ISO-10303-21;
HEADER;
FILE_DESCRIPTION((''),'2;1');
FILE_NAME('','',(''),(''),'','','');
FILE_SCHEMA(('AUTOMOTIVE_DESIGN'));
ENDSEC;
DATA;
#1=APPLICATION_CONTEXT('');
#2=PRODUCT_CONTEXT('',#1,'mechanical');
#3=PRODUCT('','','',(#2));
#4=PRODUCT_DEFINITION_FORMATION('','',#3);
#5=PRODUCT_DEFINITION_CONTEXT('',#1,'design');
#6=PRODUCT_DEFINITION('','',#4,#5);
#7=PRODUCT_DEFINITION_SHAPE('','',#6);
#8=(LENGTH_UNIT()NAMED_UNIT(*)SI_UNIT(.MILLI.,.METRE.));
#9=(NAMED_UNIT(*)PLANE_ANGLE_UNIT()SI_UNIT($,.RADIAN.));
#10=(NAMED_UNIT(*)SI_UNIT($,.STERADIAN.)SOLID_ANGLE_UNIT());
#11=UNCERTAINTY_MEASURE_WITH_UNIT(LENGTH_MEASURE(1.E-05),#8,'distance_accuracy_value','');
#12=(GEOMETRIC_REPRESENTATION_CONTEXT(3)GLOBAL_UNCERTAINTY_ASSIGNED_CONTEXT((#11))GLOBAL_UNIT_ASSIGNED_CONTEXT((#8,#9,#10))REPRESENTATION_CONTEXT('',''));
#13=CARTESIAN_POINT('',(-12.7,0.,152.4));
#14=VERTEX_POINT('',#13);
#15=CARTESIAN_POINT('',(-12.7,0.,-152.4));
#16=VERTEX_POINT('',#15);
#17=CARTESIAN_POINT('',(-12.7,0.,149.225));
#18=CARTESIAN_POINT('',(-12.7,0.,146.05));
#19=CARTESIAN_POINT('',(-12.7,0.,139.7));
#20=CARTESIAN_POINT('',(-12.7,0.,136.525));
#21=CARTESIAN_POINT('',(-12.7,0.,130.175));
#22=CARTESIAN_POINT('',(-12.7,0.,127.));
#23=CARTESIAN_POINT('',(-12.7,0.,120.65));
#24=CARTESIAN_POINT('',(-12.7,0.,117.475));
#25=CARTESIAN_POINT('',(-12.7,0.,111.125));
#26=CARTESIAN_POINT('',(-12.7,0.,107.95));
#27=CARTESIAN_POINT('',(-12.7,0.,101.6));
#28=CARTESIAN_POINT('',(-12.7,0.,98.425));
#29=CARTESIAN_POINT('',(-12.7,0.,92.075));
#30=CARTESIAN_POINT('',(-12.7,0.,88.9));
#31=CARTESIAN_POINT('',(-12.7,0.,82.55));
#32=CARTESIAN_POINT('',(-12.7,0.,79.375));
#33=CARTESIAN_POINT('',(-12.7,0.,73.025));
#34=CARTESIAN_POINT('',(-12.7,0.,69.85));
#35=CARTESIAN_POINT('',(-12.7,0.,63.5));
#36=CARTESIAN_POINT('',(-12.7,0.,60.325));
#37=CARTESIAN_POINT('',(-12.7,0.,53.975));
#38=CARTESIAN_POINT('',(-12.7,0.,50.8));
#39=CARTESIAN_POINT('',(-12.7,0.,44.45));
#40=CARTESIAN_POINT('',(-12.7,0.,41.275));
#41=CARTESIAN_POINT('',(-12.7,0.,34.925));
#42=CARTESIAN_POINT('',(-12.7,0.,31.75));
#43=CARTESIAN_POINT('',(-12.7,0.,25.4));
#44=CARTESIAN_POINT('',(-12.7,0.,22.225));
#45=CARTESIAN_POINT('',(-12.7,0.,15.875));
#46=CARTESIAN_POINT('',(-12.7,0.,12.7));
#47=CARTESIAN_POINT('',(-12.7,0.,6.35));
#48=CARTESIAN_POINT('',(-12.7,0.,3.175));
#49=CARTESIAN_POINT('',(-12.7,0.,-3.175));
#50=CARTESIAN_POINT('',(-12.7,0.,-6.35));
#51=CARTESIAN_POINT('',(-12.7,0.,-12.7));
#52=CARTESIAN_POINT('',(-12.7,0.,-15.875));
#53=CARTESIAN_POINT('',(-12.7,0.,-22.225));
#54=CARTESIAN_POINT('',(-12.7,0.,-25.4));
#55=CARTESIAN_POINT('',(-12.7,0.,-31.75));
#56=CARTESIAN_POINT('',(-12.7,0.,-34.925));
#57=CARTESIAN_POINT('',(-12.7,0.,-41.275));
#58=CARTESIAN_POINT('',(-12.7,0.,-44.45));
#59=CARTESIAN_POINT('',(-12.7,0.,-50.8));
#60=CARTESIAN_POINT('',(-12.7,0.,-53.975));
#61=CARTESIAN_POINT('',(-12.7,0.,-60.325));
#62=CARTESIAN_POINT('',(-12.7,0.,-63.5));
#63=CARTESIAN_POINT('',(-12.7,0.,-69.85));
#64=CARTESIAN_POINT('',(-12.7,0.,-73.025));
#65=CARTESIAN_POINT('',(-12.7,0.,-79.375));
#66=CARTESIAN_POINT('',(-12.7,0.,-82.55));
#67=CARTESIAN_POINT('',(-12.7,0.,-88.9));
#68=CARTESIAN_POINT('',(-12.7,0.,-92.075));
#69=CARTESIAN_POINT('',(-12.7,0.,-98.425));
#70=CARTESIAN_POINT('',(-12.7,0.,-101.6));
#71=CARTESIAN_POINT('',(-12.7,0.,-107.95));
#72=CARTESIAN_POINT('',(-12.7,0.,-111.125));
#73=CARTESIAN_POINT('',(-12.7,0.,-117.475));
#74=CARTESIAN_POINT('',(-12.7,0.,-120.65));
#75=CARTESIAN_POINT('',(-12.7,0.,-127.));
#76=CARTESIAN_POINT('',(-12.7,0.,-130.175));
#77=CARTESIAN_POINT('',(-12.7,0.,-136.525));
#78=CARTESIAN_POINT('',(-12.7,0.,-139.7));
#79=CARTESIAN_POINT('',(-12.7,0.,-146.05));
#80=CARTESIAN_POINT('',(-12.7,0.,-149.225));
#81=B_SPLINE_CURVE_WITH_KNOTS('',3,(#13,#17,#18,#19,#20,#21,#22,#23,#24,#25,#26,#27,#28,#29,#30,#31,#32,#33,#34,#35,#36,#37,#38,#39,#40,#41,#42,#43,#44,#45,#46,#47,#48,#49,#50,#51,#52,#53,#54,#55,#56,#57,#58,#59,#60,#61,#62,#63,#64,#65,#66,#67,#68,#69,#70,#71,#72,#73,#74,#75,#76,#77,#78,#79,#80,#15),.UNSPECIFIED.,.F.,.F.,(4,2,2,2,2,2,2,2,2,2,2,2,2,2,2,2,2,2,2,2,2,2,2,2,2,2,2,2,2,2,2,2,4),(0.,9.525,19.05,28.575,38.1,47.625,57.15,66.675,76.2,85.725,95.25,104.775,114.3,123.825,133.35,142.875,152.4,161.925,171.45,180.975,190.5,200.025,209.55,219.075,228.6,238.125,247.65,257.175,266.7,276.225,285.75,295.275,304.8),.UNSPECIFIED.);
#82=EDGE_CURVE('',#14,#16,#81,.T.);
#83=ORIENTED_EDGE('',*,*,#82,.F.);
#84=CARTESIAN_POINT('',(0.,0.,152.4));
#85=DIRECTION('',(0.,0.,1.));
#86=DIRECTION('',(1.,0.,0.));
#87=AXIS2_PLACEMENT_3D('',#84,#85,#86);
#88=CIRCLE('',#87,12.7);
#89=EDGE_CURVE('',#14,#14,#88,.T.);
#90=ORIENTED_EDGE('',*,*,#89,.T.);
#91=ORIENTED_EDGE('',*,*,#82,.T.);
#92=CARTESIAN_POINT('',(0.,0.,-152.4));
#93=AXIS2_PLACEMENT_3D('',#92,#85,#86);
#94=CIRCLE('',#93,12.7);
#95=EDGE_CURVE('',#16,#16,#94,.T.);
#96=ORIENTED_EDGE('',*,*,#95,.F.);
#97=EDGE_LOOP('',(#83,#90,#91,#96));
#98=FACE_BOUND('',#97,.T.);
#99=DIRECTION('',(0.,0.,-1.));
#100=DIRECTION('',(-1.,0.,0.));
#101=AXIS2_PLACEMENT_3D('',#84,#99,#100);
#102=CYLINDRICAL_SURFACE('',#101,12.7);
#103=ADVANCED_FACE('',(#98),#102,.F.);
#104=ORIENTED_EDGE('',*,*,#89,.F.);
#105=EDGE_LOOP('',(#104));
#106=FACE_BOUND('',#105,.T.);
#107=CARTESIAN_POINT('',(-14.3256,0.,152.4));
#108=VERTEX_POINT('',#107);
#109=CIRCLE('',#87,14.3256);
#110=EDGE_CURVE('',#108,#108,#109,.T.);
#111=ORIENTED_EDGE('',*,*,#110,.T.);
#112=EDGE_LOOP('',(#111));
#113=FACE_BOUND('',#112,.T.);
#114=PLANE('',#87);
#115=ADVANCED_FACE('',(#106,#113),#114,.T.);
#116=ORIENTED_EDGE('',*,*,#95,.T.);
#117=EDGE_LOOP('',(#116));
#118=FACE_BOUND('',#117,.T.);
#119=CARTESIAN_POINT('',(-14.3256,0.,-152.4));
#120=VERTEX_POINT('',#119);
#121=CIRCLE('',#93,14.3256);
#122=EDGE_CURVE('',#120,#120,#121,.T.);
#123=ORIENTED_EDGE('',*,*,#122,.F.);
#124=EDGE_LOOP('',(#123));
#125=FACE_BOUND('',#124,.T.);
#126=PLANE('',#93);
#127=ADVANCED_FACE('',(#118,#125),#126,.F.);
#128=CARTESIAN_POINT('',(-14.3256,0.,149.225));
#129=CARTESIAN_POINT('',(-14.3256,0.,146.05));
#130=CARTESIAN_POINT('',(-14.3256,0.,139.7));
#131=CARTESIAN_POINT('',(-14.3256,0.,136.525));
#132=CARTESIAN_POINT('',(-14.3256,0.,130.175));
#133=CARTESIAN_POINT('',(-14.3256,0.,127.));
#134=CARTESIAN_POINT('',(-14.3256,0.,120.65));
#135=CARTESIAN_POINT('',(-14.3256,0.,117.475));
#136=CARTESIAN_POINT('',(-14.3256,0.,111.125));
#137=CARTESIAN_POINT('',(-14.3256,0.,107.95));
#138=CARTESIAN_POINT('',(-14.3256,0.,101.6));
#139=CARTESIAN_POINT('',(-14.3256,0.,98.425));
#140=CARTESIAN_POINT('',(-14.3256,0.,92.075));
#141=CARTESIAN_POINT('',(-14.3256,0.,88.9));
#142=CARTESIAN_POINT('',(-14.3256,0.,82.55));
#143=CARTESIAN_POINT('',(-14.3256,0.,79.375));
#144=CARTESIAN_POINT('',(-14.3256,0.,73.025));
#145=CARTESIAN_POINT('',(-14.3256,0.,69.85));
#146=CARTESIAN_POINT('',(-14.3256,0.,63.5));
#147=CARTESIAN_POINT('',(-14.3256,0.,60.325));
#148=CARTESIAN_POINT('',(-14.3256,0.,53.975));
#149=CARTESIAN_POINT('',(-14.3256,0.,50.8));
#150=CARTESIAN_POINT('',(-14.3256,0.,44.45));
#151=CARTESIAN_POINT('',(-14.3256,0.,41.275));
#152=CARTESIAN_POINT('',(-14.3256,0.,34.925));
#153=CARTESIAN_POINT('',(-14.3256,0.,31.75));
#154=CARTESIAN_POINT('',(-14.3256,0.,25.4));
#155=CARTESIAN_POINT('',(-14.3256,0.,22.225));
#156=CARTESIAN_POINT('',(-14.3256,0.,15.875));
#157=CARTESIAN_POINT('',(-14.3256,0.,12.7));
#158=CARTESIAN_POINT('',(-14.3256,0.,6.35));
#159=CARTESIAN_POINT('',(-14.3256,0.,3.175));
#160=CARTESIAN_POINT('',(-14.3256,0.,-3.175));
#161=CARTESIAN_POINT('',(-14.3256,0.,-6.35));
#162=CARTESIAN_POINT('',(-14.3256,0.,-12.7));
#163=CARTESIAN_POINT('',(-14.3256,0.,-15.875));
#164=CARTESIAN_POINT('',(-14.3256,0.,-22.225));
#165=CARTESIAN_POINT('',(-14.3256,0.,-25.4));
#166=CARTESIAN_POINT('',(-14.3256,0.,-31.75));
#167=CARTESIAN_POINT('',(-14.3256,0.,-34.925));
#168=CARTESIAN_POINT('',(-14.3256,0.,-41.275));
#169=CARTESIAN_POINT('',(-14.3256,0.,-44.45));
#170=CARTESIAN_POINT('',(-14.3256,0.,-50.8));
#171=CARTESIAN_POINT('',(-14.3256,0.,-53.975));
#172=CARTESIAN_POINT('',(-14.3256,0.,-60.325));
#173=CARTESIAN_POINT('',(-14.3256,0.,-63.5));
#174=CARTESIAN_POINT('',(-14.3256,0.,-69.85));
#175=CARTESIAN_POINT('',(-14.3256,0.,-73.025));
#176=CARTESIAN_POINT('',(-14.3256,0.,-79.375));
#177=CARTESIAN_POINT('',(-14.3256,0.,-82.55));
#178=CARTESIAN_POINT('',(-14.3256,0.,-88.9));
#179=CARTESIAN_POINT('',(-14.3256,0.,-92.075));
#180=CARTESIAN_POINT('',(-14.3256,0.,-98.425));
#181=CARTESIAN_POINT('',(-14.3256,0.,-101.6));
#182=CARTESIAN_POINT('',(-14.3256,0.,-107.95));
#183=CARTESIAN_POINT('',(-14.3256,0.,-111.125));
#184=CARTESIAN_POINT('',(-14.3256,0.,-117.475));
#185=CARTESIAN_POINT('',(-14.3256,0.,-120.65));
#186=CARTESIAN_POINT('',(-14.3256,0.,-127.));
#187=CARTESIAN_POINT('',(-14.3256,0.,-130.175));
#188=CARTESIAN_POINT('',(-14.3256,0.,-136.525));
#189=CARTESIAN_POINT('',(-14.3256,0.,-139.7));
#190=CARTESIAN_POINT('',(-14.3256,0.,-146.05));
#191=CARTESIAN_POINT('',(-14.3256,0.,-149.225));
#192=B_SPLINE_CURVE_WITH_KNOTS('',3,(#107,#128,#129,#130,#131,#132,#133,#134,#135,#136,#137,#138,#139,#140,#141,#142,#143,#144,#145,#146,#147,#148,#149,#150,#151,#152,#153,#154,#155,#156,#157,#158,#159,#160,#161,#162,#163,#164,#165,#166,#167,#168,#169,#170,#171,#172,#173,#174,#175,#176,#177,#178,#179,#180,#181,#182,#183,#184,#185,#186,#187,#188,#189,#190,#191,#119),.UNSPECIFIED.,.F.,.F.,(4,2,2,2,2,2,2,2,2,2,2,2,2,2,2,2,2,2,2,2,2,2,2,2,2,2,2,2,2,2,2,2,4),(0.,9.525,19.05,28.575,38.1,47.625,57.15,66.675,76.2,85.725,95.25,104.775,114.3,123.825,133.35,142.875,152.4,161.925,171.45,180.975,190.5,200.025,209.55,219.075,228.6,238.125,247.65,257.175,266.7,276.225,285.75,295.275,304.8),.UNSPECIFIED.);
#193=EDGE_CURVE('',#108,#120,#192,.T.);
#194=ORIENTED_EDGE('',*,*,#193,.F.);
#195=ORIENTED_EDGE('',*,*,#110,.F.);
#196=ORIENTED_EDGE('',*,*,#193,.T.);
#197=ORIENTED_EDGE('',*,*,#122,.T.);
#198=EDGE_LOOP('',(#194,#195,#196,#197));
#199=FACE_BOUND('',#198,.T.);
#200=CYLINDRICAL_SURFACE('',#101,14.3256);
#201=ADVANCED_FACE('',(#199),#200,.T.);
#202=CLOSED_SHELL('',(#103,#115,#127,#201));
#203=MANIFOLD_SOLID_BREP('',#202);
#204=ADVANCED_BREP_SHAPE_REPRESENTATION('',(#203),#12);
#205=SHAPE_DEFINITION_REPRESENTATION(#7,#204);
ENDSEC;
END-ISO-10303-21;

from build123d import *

# Parameters (mm, degrees)
BOSS_EXTRUDE1_DEPTH      = 152.4
BOSS_EXTRUDE1_DEPTH_BACK = 152.4
SKETCH3_R                = 14.3256
SKETCH3_R_2              = 12.7


with BuildPart() as part:
    # Sketch3 → Boss-Extrude1 (new, two sides: drawn at the far end of the back side and taken through both)
    with BuildSketch(Plane.XY.offset(-BOSS_EXTRUDE1_DEPTH_BACK)):
        with Locations(Location((0, 0, 0), (0, 0, 180))):
            Circle(SKETCH3_R)
        with Locations(Location((0, 0, 0), (0, 0, 180))):
            Circle(SKETCH3_R_2, mode=Mode.SUBTRACT)
    extrude(amount=BOSS_EXTRUDE1_DEPTH + BOSS_EXTRUDE1_DEPTH_BACK)


solid = part.part
